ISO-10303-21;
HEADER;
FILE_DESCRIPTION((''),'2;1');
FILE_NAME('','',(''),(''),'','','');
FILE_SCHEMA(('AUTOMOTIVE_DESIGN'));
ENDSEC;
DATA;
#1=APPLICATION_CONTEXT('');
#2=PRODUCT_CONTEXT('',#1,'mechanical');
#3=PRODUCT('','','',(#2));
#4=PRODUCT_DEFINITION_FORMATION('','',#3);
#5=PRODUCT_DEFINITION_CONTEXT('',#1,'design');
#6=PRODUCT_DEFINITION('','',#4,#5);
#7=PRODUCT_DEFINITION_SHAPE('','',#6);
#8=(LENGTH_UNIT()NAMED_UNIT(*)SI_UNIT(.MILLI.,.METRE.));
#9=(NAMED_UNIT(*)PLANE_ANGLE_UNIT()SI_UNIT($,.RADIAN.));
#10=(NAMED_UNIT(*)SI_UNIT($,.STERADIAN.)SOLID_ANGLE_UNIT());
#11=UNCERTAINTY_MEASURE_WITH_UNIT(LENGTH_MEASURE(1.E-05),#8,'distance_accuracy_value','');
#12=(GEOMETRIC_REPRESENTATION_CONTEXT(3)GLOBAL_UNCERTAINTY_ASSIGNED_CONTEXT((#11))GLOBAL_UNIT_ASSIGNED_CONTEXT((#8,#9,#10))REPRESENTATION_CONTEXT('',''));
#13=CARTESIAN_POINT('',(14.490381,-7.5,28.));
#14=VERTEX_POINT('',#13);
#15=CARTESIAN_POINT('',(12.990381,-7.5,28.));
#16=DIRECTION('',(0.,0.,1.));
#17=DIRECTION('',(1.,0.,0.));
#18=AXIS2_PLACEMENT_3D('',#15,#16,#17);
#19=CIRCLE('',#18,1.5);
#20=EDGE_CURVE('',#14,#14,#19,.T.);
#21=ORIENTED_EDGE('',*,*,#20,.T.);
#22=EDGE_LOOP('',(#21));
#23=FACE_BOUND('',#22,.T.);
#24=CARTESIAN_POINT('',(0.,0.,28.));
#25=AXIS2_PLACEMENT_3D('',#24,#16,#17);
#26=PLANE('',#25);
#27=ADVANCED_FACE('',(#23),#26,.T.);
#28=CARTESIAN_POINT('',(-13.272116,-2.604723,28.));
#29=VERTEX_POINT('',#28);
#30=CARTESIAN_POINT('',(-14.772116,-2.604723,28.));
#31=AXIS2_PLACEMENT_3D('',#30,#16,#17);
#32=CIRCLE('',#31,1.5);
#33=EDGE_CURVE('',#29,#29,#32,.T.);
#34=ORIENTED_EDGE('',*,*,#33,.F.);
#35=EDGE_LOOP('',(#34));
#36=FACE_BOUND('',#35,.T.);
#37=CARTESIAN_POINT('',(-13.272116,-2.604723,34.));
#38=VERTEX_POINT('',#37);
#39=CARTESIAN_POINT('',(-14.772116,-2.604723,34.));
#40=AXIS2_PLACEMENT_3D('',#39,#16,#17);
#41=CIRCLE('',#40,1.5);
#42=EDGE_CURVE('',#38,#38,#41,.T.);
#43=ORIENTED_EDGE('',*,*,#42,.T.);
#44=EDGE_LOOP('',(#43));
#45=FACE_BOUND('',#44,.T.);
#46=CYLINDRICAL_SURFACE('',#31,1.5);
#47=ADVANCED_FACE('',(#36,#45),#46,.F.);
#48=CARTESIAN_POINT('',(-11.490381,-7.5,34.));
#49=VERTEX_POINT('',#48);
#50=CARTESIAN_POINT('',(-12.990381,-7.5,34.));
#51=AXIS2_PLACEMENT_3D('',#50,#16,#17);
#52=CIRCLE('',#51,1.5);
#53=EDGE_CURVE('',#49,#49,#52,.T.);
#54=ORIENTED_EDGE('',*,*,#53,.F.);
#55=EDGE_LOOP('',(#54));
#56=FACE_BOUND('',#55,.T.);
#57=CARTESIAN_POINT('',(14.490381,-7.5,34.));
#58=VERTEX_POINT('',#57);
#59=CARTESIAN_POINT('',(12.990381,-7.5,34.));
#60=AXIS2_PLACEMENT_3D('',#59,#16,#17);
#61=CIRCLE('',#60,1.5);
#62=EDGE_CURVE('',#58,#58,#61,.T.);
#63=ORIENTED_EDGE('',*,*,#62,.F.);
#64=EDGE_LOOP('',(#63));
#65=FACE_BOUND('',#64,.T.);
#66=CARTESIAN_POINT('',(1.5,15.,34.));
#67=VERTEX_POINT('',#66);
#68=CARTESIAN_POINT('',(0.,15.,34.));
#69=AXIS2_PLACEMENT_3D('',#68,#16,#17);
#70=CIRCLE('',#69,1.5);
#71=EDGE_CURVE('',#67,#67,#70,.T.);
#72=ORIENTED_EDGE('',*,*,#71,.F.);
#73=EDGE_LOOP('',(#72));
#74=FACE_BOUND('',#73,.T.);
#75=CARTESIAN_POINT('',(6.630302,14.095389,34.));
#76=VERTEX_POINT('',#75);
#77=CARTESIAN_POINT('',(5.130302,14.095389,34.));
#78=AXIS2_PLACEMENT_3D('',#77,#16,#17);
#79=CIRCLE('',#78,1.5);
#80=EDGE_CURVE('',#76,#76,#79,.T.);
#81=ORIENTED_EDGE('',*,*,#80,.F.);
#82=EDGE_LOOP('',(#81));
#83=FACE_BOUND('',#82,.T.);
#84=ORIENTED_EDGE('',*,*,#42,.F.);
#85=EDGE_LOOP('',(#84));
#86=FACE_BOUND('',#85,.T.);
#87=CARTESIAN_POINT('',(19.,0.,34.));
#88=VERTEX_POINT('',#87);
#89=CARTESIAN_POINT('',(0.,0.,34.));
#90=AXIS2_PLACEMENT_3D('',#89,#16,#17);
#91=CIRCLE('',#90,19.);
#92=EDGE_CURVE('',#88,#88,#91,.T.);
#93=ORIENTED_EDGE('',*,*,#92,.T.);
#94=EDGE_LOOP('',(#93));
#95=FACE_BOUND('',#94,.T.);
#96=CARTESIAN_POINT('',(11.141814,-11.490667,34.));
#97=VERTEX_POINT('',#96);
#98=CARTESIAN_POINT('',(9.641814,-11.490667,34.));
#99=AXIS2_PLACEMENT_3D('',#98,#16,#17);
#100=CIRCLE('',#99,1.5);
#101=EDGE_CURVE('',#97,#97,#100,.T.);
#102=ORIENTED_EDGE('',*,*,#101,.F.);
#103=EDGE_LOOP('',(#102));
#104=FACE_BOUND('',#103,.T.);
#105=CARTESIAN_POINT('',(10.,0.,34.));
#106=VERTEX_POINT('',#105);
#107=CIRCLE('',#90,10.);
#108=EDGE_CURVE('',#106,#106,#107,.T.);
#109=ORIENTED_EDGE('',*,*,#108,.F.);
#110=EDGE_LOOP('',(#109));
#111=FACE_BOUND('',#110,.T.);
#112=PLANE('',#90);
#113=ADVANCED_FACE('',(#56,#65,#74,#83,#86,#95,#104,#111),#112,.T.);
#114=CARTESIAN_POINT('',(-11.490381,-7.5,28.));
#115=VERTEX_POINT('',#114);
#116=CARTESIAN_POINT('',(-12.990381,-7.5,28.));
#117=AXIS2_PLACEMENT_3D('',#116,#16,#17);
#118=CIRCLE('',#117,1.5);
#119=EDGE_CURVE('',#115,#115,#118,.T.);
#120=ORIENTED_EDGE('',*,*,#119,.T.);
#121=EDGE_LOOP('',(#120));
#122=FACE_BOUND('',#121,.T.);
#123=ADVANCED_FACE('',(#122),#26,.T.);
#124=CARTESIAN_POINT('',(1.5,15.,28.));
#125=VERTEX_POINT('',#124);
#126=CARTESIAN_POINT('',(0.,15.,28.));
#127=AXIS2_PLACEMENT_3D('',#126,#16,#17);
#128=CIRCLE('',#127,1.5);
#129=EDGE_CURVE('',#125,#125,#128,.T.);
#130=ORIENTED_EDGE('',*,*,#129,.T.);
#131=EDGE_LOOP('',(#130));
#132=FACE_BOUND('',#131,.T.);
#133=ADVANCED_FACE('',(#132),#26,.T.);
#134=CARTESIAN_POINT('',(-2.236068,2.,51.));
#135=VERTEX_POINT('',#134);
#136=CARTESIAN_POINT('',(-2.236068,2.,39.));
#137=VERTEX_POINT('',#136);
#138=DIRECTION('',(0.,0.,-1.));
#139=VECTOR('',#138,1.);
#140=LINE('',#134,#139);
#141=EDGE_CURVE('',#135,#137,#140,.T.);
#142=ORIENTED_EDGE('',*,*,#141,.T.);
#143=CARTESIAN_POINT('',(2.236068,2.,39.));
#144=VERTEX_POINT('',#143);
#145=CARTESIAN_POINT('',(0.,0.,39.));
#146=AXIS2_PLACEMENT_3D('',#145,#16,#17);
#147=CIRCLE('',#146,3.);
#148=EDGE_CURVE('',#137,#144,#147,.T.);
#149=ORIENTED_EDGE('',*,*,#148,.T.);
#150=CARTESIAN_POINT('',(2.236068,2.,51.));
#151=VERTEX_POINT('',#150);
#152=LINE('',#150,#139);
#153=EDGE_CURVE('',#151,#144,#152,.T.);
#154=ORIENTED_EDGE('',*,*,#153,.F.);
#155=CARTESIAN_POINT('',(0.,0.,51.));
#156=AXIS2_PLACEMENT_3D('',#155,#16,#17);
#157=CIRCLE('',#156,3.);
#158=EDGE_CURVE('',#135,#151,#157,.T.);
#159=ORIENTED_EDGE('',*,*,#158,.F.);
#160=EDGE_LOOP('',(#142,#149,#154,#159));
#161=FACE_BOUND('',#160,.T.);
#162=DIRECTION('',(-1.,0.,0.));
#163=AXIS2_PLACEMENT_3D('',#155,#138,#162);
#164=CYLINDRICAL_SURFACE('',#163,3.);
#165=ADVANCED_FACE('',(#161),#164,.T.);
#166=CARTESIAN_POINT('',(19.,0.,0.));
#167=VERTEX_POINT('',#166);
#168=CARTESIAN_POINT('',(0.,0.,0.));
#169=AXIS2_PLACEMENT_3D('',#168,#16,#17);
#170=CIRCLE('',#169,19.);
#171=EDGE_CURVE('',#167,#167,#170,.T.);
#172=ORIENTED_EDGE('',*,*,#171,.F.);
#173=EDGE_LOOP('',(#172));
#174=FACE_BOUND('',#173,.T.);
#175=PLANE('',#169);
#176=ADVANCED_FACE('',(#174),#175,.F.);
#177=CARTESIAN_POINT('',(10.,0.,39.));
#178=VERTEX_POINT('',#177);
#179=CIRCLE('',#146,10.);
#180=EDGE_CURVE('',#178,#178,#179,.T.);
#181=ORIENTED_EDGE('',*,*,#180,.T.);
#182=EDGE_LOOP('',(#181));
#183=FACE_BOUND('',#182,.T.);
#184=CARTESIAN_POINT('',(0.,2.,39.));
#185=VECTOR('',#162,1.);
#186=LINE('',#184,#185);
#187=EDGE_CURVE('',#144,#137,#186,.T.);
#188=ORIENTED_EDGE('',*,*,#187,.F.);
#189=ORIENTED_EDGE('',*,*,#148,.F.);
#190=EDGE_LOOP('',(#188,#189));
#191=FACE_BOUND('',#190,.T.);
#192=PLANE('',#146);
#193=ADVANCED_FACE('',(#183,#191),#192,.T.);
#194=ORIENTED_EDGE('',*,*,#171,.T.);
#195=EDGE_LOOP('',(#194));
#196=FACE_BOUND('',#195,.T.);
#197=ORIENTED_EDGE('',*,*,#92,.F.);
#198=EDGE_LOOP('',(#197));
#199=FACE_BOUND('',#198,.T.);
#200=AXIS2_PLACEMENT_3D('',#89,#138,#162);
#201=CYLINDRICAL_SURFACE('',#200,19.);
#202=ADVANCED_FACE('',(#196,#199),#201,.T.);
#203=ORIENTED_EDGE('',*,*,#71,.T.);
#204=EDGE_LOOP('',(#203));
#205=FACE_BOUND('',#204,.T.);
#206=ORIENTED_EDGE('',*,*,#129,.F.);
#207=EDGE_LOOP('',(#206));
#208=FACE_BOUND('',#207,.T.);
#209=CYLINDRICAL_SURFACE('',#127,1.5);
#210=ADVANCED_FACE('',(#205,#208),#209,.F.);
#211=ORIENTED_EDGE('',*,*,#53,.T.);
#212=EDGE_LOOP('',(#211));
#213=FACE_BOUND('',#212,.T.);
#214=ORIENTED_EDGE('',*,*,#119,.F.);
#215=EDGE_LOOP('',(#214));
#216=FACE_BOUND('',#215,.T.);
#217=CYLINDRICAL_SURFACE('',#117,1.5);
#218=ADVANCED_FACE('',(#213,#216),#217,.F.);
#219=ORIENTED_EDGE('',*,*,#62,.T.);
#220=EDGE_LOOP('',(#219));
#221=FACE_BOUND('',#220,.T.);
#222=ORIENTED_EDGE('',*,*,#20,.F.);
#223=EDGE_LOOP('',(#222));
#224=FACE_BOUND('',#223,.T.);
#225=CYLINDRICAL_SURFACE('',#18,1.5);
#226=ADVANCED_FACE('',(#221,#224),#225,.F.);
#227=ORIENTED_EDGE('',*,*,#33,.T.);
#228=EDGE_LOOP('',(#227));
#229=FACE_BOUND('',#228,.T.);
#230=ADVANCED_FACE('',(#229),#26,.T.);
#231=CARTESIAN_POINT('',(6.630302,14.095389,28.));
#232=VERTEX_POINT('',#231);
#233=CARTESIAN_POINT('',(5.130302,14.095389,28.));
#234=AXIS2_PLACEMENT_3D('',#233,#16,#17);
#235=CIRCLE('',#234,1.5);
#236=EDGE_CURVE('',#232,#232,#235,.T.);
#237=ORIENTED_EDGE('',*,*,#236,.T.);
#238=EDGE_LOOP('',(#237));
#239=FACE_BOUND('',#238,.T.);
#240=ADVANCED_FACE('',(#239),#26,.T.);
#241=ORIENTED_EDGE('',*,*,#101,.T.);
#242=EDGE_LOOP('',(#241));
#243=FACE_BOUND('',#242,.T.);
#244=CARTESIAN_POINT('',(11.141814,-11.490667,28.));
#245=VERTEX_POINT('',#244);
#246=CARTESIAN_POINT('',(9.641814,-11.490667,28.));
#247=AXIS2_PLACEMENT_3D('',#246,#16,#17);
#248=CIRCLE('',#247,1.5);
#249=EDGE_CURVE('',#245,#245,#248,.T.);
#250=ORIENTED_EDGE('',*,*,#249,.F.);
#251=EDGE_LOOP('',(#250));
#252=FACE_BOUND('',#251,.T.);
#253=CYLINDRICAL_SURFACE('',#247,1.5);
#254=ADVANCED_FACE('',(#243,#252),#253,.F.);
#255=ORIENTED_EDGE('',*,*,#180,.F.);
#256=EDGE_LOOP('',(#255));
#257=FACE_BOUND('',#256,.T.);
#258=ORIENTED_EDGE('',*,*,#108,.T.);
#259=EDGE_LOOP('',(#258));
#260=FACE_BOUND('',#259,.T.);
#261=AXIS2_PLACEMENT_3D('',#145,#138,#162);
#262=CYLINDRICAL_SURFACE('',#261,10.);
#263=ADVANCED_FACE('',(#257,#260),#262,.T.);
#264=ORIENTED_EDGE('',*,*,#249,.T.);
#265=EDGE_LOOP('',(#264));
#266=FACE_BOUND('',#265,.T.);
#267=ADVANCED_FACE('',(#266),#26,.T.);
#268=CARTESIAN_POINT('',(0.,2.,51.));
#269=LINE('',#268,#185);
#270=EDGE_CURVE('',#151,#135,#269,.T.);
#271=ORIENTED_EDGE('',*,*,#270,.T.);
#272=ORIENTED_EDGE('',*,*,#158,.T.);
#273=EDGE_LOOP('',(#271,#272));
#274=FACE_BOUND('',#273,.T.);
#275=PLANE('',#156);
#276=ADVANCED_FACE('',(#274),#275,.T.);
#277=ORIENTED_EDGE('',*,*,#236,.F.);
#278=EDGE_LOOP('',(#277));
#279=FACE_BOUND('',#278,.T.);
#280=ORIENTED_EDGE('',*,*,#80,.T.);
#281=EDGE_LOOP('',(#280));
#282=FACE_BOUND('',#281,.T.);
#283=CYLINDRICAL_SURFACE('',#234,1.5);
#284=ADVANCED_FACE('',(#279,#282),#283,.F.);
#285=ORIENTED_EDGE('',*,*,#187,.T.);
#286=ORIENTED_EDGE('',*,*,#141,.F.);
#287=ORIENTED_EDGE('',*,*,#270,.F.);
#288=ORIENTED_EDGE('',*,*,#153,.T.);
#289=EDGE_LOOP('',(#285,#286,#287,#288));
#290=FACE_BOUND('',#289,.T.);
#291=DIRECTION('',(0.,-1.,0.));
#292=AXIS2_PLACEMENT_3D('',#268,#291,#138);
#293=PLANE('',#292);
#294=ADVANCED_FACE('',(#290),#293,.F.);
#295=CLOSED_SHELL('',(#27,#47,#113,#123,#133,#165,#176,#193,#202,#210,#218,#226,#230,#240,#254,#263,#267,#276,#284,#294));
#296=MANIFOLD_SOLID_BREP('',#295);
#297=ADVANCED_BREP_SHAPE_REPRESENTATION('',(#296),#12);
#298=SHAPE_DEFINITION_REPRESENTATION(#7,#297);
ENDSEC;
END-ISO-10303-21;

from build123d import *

# Parameters (mm, degrees)
SKETCH1_R           = 19
BOSS_EXTRUDE1_DEPTH = 34
SKETCH2_R           = 1.5
CUT_EXTRUDE1_DEPTH  = 6
SKETCH3_R           = 10
BOSS_EXTRUDE2_DEPTH = 5
BOSS_EXTRUDE3_DEPTH = 12


with BuildPart() as part:
    # Sketch1 → Boss-Extrude1 (new body)
    with BuildSketch(Plane.XY):
        Circle(SKETCH1_R)
    extrude(amount=BOSS_EXTRUDE1_DEPTH)

    # Sketch2 → Cut-Extrude1 (cut)
    with BuildSketch(Plane.XY.offset(34)):
        with Locations((-12.990381057, -7.5)):
            Circle(SKETCH2_R)
        with Locations((-14.772116295, -2.604722665)):
            Circle(SKETCH2_R)
        with Locations((0, 15)):
            Circle(SKETCH2_R)
        with Locations((5.13030215, 14.095389312)):
            Circle(SKETCH2_R)
        with Locations((12.990381057, -7.5)):
            Circle(SKETCH2_R)
        with Locations((9.641814145, -11.490666647)):
            Circle(SKETCH2_R)
    extrude(amount=-CUT_EXTRUDE1_DEPTH, mode=Mode.SUBTRACT)

    # Sketch3 → Boss-Extrude2 (add)
    with BuildSketch(Plane.XY.offset(34)):
        Circle(SKETCH3_R)
    extrude(amount=BOSS_EXTRUDE2_DEPTH)

    # Sketch4 → Boss-Extrude3 (add)
    with BuildSketch(Plane.XY.offset(39)):
        with BuildLine():
            ThreePointArc((3, 0), (2.802517077, 1.070466269), (2.236067977, 2))
            Line((2.236067977, 2), (-2.236067977, 2))
            ThreePointArc((-2.236067977, 2), (-1.070466269, -2.802517077), (3, 0))
        make_face()
    extrude(amount=BOSS_EXTRUDE3_DEPTH)


solid = part.part
